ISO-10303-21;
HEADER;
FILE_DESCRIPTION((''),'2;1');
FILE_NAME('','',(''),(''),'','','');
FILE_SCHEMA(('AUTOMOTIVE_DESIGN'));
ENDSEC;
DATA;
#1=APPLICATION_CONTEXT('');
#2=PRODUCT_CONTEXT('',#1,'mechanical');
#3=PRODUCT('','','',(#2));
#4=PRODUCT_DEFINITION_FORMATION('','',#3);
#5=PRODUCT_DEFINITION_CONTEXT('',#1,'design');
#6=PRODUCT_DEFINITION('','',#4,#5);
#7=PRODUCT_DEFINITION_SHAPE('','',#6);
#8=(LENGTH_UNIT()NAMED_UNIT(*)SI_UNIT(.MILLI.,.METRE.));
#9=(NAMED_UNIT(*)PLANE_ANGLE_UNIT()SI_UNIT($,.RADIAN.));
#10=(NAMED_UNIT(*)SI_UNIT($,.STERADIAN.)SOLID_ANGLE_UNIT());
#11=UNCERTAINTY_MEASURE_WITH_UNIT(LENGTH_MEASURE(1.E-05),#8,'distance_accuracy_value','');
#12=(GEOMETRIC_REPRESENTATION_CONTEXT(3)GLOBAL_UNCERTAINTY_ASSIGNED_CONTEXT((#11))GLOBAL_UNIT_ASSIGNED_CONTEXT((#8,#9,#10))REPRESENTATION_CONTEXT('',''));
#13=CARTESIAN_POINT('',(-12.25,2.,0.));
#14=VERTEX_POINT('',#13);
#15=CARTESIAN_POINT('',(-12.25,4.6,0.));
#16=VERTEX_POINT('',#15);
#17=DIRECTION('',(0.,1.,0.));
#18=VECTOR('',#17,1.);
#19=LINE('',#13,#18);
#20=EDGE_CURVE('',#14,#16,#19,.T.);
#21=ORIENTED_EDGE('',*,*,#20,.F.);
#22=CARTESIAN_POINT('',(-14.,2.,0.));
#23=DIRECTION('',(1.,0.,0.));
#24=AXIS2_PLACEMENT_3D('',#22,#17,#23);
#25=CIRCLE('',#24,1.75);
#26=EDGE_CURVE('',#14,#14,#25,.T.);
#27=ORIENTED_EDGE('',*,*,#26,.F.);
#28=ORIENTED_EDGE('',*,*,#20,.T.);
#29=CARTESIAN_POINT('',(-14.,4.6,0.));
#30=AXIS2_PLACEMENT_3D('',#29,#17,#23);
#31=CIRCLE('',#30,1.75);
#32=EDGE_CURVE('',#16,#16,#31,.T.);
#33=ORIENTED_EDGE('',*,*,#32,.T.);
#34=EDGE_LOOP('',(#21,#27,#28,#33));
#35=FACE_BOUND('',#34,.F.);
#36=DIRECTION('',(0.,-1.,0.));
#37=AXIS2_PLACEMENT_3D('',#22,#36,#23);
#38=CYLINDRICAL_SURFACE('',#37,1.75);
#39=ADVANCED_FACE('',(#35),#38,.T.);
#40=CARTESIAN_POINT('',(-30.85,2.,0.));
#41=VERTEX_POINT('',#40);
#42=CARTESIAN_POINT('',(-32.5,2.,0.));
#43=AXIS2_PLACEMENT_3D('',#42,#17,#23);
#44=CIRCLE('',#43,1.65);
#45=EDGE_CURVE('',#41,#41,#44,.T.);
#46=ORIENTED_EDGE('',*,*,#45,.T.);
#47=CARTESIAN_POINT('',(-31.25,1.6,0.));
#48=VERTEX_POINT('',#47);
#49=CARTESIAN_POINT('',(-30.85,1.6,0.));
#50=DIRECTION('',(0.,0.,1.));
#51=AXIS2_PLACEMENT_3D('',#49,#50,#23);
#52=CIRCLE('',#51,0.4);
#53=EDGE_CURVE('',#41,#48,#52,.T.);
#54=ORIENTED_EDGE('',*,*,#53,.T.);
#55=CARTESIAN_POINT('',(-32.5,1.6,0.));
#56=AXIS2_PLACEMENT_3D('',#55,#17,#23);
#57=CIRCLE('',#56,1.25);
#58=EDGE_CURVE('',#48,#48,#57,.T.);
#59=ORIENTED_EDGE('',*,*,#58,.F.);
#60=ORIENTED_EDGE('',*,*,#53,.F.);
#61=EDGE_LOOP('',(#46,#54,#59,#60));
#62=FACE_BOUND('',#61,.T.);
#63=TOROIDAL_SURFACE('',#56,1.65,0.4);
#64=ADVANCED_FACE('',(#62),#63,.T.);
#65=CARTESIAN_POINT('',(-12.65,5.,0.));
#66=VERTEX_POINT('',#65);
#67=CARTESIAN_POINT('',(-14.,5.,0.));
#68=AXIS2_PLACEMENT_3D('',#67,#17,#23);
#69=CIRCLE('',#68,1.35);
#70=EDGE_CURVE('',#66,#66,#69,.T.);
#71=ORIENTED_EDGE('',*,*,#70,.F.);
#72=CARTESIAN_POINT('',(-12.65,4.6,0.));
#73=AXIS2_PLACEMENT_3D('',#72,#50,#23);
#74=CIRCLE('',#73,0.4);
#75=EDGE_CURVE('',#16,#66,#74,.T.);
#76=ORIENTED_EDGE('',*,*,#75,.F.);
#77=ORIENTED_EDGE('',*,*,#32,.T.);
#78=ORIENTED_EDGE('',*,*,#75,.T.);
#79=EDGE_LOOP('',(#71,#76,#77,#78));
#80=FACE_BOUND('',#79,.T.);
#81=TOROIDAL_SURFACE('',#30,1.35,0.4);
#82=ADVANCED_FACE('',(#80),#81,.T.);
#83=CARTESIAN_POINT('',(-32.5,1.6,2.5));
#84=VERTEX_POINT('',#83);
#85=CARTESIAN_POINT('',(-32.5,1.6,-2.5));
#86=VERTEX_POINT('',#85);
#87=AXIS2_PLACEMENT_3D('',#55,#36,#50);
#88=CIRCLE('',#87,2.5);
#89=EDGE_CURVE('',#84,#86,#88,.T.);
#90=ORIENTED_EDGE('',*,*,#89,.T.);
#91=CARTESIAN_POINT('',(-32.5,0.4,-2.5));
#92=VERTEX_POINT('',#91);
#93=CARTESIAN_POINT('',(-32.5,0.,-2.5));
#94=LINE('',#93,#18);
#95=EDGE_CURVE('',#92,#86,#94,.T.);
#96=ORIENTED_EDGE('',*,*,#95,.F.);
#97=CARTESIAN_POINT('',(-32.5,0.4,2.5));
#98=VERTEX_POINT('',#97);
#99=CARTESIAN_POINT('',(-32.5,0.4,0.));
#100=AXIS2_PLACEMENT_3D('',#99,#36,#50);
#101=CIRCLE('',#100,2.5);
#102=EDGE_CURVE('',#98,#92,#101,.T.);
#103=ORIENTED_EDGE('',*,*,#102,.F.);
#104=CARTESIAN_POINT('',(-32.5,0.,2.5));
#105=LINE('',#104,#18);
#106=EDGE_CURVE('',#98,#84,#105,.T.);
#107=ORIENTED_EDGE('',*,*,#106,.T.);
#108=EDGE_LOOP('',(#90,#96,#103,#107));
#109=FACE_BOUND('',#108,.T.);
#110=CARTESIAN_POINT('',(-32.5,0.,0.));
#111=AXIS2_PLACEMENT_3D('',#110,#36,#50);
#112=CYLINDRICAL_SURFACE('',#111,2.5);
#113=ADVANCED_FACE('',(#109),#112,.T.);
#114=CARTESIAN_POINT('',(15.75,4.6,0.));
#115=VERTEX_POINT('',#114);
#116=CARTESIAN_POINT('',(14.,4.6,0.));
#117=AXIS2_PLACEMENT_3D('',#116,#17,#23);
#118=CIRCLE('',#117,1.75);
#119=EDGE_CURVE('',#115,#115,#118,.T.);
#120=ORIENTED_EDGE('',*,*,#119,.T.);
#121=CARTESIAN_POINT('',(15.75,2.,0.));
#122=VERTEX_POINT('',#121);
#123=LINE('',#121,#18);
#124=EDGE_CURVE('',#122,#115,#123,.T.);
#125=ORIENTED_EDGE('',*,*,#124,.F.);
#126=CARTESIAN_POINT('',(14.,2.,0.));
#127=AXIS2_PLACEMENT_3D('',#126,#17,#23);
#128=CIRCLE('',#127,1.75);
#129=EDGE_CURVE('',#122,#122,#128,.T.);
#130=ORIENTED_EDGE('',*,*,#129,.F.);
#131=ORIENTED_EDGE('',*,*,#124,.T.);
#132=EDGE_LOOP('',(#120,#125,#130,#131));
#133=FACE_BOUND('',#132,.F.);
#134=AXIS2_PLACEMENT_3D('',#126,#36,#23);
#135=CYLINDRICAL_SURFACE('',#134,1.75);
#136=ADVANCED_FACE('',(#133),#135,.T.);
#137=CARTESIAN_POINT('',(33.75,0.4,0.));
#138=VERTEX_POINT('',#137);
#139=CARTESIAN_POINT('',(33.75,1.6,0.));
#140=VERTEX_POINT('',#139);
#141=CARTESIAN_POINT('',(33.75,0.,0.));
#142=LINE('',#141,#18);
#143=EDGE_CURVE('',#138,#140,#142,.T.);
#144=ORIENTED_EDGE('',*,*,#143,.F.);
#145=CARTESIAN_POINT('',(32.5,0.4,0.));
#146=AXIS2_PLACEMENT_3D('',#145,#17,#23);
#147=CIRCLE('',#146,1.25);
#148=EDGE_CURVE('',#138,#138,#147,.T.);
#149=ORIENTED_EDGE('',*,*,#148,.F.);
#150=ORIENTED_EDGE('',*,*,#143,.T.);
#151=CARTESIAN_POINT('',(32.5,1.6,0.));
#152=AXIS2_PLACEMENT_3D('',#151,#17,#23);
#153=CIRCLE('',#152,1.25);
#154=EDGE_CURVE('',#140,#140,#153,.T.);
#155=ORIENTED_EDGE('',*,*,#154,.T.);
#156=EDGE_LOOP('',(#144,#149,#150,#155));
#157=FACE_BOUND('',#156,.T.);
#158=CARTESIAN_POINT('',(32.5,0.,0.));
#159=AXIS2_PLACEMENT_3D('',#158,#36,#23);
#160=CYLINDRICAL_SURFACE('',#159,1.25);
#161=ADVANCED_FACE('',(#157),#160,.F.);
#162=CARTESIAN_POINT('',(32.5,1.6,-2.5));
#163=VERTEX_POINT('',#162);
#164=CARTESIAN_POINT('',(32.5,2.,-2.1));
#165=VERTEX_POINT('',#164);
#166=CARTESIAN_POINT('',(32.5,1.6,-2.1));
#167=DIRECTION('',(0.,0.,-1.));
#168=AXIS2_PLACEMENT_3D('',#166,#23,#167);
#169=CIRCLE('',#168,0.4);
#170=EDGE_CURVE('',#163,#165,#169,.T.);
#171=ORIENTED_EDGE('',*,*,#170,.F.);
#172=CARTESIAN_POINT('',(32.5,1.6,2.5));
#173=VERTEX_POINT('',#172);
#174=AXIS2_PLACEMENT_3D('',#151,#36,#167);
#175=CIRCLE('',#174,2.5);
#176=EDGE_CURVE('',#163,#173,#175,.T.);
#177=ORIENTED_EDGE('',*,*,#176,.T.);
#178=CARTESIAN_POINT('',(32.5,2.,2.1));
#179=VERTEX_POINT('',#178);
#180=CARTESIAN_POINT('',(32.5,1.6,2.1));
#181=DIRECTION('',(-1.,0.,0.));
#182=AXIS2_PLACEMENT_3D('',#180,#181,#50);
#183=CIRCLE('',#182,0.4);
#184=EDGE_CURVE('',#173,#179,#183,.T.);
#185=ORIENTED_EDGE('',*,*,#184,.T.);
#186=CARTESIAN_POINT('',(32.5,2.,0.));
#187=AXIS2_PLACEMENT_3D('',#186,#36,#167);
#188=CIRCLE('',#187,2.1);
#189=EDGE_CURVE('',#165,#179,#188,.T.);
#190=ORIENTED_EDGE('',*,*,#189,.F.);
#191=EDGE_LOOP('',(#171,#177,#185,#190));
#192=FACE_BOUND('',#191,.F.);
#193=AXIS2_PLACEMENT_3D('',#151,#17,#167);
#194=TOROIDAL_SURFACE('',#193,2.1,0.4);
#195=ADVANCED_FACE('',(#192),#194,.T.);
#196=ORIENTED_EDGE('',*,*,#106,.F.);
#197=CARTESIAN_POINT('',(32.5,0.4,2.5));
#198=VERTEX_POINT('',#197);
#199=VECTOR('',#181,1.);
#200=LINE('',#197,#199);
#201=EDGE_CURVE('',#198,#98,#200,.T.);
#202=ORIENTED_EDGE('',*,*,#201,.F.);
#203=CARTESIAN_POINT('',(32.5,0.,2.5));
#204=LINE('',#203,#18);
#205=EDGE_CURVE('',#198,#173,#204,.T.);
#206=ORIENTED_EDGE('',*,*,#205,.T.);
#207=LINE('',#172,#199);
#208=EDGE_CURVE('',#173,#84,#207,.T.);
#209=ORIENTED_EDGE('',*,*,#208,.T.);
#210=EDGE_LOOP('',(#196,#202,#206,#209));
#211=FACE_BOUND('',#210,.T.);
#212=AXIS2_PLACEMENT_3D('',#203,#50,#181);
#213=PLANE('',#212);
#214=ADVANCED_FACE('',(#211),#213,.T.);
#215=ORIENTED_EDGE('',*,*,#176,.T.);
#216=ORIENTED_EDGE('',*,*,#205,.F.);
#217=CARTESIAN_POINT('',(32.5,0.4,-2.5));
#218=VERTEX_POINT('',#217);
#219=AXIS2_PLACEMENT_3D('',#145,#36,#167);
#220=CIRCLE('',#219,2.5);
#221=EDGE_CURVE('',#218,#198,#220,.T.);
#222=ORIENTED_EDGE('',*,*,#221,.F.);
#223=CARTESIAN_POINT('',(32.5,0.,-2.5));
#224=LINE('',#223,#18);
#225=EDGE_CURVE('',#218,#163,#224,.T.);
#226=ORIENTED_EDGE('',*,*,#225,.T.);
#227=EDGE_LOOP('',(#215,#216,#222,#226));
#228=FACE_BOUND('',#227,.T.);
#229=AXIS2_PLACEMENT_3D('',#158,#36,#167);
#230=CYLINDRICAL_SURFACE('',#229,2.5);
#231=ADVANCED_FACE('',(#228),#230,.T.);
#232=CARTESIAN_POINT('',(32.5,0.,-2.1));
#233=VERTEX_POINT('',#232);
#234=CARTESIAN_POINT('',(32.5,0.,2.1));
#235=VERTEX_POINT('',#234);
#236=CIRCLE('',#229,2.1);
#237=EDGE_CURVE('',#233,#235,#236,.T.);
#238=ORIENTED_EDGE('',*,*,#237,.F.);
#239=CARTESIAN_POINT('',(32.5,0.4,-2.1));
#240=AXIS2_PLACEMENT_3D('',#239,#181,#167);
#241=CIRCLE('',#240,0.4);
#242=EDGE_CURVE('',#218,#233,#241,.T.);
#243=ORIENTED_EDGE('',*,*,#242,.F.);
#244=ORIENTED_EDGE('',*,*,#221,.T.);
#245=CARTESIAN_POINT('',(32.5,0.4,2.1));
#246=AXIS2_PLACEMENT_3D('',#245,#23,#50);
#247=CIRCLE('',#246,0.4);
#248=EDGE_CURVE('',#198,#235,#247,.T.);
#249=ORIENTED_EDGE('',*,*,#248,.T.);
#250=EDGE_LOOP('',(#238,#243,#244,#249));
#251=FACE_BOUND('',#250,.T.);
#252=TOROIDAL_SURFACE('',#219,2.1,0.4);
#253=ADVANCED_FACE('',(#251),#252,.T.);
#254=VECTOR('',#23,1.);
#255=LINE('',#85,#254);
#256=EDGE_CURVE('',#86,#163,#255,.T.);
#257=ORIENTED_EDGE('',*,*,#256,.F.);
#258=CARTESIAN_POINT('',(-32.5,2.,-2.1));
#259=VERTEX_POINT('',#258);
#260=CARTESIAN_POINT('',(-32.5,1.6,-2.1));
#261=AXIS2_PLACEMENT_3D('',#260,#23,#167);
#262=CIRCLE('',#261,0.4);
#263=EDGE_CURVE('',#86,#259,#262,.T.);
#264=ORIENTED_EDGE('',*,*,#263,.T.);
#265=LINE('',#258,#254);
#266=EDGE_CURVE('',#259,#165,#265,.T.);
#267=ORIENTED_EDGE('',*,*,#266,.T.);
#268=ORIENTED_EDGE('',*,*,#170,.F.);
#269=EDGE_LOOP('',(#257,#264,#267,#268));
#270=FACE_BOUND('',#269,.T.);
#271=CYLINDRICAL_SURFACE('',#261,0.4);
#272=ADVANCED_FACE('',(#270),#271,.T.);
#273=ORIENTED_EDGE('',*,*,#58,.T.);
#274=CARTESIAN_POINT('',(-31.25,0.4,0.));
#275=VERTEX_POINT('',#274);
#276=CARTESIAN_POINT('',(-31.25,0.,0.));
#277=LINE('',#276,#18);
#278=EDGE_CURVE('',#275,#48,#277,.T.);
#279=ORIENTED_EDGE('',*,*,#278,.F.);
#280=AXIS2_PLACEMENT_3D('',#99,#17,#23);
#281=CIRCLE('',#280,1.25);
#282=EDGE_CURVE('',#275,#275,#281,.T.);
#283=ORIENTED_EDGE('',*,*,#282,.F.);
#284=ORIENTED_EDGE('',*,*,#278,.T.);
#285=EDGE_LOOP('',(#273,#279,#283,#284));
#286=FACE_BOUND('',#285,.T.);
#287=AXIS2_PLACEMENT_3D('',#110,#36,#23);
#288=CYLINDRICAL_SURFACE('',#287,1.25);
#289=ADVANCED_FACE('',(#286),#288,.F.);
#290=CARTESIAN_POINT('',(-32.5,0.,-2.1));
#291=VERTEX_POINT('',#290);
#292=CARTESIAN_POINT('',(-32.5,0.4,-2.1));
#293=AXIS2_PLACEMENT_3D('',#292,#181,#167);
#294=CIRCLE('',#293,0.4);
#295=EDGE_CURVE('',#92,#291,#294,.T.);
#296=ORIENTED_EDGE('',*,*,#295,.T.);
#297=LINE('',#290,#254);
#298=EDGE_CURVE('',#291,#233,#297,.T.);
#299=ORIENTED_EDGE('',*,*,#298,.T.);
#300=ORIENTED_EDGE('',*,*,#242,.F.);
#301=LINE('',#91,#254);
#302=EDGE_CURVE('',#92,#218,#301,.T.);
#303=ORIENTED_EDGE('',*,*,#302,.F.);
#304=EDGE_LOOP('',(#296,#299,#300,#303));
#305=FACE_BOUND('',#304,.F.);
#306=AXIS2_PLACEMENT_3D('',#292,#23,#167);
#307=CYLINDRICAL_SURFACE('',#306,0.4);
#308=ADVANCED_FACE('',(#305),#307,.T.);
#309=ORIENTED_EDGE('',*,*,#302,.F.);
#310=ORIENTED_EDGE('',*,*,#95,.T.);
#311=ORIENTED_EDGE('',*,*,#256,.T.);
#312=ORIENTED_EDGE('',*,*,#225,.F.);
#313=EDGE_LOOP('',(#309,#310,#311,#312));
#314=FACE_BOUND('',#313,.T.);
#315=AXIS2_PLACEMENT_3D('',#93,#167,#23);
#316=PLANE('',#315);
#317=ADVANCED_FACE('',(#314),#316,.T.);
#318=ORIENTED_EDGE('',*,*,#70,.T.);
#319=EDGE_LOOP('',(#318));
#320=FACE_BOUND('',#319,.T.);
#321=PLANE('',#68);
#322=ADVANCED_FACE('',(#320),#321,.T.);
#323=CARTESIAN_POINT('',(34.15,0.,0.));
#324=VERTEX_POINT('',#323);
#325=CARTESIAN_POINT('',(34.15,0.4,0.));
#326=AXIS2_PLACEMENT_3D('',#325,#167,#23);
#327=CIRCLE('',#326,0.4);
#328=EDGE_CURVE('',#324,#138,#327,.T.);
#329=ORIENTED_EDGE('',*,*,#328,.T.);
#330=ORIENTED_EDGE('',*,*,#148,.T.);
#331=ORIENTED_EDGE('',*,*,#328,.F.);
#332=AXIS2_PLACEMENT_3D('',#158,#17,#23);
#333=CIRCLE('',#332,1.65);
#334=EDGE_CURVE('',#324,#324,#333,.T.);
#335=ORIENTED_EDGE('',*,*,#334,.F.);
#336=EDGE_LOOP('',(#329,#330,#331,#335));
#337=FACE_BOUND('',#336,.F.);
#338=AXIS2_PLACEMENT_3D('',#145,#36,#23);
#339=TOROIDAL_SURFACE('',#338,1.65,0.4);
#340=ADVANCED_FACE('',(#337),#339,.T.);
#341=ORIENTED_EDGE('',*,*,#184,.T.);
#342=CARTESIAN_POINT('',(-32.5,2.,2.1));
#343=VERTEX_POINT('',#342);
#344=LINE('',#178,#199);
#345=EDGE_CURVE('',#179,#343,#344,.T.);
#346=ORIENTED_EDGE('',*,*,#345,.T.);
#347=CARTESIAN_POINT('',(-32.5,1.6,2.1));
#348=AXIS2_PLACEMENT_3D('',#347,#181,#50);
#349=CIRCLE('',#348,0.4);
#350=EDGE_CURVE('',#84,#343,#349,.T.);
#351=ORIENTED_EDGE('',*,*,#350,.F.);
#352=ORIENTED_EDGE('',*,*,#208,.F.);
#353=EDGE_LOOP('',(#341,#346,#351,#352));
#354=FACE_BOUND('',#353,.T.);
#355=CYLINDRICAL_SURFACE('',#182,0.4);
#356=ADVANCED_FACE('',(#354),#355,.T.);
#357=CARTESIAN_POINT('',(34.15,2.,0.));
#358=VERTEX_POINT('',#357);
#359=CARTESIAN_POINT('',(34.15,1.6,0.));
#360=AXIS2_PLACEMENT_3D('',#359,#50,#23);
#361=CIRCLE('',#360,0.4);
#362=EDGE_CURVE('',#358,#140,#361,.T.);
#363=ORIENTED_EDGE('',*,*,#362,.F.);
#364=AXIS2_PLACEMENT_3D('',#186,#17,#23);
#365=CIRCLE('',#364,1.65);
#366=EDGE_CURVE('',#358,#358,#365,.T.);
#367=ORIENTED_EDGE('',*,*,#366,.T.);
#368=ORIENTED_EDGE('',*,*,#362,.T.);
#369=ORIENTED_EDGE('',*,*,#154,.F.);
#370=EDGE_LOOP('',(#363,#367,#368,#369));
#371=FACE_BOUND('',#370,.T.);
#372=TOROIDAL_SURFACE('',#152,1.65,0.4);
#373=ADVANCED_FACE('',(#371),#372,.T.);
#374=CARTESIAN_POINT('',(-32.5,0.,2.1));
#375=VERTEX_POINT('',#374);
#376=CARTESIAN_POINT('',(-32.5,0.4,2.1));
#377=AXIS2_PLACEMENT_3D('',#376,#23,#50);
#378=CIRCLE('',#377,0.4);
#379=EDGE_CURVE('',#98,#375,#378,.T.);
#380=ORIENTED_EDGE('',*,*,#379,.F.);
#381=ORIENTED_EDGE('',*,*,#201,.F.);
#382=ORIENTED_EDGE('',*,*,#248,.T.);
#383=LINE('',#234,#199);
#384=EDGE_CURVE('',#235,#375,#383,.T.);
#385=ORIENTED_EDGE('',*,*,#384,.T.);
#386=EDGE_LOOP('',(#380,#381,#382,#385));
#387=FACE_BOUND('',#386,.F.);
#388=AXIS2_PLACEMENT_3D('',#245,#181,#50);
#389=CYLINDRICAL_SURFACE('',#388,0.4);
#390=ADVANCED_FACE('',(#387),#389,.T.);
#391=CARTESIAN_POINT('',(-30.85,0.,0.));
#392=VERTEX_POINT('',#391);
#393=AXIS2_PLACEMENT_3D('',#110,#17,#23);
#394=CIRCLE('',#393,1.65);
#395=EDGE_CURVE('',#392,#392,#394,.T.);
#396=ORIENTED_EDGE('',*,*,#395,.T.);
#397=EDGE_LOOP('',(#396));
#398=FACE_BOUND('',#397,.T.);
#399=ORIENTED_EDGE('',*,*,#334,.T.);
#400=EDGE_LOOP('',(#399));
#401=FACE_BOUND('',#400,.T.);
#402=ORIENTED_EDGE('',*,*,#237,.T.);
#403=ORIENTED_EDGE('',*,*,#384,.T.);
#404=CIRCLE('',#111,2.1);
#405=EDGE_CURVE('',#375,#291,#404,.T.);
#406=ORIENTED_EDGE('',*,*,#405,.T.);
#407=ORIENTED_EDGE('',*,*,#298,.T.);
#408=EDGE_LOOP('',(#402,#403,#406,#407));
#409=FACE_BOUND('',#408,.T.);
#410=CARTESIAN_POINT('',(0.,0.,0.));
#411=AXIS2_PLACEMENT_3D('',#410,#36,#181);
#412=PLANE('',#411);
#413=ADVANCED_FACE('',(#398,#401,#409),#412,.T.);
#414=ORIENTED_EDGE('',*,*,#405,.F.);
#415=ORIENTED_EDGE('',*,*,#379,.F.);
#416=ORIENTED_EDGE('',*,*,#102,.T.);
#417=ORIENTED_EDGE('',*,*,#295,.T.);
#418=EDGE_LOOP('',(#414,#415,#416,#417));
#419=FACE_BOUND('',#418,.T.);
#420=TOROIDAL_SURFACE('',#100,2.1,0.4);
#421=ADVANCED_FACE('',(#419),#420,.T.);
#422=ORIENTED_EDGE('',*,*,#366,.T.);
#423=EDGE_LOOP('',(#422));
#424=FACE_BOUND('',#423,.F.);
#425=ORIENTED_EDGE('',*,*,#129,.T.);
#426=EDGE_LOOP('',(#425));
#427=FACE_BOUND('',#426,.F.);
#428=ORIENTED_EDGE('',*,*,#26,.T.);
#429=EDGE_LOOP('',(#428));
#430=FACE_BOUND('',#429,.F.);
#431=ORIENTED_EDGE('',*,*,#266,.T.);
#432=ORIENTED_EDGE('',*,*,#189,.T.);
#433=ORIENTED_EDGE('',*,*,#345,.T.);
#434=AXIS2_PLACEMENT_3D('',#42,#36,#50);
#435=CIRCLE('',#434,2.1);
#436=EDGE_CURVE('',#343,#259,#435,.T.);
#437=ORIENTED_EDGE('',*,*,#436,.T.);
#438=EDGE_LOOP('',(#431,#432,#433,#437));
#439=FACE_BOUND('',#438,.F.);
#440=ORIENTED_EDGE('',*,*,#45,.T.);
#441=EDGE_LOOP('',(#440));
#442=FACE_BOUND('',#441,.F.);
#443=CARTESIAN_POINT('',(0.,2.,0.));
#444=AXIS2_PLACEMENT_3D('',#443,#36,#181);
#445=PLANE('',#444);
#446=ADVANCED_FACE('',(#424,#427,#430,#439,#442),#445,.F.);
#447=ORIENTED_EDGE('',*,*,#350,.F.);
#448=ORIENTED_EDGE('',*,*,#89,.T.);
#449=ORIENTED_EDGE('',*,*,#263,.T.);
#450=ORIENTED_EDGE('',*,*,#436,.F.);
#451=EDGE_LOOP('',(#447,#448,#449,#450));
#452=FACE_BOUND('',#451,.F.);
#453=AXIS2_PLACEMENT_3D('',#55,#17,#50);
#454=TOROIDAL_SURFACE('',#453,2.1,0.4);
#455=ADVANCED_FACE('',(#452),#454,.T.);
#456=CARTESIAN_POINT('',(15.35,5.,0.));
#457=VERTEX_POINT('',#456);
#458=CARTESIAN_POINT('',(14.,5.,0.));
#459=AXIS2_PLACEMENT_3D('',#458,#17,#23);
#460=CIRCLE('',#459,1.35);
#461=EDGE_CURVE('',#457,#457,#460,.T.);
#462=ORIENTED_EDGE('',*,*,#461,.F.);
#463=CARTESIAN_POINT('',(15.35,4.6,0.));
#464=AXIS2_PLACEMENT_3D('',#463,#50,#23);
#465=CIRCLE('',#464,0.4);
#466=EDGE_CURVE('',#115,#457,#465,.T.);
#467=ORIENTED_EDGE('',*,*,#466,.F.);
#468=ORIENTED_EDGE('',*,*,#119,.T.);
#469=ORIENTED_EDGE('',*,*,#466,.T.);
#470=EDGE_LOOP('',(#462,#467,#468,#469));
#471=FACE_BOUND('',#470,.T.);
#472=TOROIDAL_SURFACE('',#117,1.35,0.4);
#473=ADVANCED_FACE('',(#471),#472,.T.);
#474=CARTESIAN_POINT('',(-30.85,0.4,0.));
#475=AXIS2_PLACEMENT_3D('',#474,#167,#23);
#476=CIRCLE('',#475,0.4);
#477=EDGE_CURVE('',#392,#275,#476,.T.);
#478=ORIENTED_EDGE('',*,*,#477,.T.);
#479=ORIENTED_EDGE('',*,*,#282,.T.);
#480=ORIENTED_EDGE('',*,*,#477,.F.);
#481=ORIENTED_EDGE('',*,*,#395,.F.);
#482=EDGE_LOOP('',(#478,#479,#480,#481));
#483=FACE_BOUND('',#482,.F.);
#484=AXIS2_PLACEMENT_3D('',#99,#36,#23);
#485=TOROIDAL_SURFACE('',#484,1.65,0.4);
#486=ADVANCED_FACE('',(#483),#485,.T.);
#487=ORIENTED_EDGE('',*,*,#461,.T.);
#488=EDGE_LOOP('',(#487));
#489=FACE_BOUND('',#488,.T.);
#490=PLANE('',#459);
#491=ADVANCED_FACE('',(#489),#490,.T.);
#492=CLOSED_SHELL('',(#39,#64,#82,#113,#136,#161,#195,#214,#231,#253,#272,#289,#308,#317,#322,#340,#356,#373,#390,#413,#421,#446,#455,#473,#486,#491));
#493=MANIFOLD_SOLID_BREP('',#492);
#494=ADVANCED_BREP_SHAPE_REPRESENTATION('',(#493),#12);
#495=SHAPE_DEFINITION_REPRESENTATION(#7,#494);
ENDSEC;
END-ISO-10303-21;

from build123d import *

# Parameters (mm, degrees)
SKETCH_1_R      = 1.25
EXTRUDE_1_DEPTH = 2
SKETCH_2_R      = 1.75
EXTRUDE_2_DEPTH = 3
FILLET_1_R      = 0.4


with BuildPart() as part:
    # 草图1 → 凸台-拉伸1 (new body)
    with BuildSketch(Plane(origin=(0, 0, 0), x_dir=(1, 0, 0), z_dir=(0, 1, 0))):
        with BuildLine():
            Line((-32.5, 2.5), (32.5, 2.5))
            ThreePointArc((32.5, 2.5), (35, 0), (32.5, -2.5))
            Line((32.5, -2.5), (-32.5, -2.5))
            ThreePointArc((-32.5, -2.5), (-35, 0), (-32.5, 2.5))
        make_face()
        with Locations((-32.5, 0)):
            Circle(SKETCH_1_R, mode=Mode.SUBTRACT)
        with Locations((32.5, 0)):
            Circle(SKETCH_1_R, mode=Mode.SUBTRACT)
    extrude(amount=EXTRUDE_1_DEPTH)

    # 草图2 → 凸台-拉伸2 (add)
    with BuildSketch(Plane(origin=(0, 2, 0), x_dir=(1, 0, 0), z_dir=(0, 1, 0))):
        with Locations((14, 0)):
            Circle(SKETCH_2_R)
        with Locations((-14, 0)):
            Circle(SKETCH_2_R)
    extrude(amount=EXTRUDE_2_DEPTH)

    # 圆角1
    fillet_1_edges = [part.edges().sort_by_distance(p)[0] for p in [
        (-33.75, 0, 0),
        (-33.75, 2, 0),
        (35, 2, 0),
        (31.25, 0, 0),
        (31.25, 2, 0),
        (0, 2, -2.5),
        (12.25, 5, 0),
        (-15.75, 5, 0),
        (-35, 2, 0),
        (0, 0, -2.5),
        (35, 0, 0),
        (0, 0, 2.5),
        (-35, 0, 0),
        (0, 2, 2.5),
    ]]
    fillet(fillet_1_edges, radius=FILLET_1_R)


solid = part.part
